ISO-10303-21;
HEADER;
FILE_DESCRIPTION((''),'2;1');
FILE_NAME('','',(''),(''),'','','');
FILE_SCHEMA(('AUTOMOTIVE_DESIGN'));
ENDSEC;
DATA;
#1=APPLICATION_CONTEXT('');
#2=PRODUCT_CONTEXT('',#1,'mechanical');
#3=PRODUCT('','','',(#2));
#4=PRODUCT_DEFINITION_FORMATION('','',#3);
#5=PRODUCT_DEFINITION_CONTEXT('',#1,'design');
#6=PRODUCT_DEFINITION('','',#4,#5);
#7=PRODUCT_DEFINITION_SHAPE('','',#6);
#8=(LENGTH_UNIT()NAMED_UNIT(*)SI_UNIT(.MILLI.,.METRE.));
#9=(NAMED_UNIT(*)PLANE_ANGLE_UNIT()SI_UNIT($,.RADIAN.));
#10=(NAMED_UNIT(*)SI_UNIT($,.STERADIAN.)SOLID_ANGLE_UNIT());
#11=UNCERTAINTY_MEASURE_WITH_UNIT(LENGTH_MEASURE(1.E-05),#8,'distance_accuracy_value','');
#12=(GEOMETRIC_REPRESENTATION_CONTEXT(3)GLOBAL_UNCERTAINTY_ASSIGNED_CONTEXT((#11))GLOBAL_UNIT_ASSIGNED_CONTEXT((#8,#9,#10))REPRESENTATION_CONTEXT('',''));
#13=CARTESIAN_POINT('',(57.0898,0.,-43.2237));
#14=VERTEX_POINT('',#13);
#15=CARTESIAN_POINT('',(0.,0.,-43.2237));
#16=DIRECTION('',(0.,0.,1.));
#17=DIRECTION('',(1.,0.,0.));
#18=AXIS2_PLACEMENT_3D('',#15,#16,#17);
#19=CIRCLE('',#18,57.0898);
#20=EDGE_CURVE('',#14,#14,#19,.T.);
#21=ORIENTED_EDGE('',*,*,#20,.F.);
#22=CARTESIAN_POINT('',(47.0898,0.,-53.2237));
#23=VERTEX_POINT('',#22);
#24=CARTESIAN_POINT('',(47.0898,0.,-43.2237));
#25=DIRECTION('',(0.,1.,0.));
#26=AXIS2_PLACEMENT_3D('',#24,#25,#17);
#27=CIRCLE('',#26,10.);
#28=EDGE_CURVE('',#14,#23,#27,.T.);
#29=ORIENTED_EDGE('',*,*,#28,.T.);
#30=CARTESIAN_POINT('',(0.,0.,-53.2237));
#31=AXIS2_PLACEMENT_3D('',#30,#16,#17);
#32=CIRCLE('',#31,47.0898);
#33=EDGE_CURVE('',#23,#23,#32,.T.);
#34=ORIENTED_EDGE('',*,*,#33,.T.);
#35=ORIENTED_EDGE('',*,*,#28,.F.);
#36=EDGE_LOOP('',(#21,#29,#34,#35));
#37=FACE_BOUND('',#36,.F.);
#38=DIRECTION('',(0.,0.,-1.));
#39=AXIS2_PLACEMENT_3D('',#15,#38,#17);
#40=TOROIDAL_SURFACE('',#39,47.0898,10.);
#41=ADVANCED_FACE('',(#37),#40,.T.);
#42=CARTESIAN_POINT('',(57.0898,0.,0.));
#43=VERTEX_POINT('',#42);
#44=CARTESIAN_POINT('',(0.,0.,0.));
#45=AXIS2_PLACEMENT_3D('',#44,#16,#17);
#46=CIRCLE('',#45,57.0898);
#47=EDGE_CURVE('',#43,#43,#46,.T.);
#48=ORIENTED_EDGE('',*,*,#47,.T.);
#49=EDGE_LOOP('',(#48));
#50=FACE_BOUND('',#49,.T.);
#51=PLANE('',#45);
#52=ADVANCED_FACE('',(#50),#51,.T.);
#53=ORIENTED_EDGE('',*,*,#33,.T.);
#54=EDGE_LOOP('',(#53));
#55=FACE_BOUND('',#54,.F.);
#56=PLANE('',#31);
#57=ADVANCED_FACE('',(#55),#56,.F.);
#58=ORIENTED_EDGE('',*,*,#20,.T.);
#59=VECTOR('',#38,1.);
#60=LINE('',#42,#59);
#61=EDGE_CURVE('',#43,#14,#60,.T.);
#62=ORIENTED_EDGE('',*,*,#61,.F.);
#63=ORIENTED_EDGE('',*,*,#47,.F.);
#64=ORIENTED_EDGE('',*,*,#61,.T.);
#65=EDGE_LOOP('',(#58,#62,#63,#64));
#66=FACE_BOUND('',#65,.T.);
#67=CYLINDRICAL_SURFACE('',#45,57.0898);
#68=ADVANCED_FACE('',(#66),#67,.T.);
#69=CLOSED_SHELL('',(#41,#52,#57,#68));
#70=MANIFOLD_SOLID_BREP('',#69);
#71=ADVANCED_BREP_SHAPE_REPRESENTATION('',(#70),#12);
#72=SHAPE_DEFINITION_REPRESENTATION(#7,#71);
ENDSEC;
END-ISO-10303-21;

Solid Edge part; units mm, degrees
sketch "Sketch1" plane through (0, 0, 0) normal (0, 0, 1) x (1, 0, 0)
  circle A0 centre (0, 0) radius 57.0898
extrude "Protrusion1" add sketch "Sketch1" against normal blind 53.2237
fillet "Round_1" radius 10 1 edges at (-57.0898, 0, -53.2237)
